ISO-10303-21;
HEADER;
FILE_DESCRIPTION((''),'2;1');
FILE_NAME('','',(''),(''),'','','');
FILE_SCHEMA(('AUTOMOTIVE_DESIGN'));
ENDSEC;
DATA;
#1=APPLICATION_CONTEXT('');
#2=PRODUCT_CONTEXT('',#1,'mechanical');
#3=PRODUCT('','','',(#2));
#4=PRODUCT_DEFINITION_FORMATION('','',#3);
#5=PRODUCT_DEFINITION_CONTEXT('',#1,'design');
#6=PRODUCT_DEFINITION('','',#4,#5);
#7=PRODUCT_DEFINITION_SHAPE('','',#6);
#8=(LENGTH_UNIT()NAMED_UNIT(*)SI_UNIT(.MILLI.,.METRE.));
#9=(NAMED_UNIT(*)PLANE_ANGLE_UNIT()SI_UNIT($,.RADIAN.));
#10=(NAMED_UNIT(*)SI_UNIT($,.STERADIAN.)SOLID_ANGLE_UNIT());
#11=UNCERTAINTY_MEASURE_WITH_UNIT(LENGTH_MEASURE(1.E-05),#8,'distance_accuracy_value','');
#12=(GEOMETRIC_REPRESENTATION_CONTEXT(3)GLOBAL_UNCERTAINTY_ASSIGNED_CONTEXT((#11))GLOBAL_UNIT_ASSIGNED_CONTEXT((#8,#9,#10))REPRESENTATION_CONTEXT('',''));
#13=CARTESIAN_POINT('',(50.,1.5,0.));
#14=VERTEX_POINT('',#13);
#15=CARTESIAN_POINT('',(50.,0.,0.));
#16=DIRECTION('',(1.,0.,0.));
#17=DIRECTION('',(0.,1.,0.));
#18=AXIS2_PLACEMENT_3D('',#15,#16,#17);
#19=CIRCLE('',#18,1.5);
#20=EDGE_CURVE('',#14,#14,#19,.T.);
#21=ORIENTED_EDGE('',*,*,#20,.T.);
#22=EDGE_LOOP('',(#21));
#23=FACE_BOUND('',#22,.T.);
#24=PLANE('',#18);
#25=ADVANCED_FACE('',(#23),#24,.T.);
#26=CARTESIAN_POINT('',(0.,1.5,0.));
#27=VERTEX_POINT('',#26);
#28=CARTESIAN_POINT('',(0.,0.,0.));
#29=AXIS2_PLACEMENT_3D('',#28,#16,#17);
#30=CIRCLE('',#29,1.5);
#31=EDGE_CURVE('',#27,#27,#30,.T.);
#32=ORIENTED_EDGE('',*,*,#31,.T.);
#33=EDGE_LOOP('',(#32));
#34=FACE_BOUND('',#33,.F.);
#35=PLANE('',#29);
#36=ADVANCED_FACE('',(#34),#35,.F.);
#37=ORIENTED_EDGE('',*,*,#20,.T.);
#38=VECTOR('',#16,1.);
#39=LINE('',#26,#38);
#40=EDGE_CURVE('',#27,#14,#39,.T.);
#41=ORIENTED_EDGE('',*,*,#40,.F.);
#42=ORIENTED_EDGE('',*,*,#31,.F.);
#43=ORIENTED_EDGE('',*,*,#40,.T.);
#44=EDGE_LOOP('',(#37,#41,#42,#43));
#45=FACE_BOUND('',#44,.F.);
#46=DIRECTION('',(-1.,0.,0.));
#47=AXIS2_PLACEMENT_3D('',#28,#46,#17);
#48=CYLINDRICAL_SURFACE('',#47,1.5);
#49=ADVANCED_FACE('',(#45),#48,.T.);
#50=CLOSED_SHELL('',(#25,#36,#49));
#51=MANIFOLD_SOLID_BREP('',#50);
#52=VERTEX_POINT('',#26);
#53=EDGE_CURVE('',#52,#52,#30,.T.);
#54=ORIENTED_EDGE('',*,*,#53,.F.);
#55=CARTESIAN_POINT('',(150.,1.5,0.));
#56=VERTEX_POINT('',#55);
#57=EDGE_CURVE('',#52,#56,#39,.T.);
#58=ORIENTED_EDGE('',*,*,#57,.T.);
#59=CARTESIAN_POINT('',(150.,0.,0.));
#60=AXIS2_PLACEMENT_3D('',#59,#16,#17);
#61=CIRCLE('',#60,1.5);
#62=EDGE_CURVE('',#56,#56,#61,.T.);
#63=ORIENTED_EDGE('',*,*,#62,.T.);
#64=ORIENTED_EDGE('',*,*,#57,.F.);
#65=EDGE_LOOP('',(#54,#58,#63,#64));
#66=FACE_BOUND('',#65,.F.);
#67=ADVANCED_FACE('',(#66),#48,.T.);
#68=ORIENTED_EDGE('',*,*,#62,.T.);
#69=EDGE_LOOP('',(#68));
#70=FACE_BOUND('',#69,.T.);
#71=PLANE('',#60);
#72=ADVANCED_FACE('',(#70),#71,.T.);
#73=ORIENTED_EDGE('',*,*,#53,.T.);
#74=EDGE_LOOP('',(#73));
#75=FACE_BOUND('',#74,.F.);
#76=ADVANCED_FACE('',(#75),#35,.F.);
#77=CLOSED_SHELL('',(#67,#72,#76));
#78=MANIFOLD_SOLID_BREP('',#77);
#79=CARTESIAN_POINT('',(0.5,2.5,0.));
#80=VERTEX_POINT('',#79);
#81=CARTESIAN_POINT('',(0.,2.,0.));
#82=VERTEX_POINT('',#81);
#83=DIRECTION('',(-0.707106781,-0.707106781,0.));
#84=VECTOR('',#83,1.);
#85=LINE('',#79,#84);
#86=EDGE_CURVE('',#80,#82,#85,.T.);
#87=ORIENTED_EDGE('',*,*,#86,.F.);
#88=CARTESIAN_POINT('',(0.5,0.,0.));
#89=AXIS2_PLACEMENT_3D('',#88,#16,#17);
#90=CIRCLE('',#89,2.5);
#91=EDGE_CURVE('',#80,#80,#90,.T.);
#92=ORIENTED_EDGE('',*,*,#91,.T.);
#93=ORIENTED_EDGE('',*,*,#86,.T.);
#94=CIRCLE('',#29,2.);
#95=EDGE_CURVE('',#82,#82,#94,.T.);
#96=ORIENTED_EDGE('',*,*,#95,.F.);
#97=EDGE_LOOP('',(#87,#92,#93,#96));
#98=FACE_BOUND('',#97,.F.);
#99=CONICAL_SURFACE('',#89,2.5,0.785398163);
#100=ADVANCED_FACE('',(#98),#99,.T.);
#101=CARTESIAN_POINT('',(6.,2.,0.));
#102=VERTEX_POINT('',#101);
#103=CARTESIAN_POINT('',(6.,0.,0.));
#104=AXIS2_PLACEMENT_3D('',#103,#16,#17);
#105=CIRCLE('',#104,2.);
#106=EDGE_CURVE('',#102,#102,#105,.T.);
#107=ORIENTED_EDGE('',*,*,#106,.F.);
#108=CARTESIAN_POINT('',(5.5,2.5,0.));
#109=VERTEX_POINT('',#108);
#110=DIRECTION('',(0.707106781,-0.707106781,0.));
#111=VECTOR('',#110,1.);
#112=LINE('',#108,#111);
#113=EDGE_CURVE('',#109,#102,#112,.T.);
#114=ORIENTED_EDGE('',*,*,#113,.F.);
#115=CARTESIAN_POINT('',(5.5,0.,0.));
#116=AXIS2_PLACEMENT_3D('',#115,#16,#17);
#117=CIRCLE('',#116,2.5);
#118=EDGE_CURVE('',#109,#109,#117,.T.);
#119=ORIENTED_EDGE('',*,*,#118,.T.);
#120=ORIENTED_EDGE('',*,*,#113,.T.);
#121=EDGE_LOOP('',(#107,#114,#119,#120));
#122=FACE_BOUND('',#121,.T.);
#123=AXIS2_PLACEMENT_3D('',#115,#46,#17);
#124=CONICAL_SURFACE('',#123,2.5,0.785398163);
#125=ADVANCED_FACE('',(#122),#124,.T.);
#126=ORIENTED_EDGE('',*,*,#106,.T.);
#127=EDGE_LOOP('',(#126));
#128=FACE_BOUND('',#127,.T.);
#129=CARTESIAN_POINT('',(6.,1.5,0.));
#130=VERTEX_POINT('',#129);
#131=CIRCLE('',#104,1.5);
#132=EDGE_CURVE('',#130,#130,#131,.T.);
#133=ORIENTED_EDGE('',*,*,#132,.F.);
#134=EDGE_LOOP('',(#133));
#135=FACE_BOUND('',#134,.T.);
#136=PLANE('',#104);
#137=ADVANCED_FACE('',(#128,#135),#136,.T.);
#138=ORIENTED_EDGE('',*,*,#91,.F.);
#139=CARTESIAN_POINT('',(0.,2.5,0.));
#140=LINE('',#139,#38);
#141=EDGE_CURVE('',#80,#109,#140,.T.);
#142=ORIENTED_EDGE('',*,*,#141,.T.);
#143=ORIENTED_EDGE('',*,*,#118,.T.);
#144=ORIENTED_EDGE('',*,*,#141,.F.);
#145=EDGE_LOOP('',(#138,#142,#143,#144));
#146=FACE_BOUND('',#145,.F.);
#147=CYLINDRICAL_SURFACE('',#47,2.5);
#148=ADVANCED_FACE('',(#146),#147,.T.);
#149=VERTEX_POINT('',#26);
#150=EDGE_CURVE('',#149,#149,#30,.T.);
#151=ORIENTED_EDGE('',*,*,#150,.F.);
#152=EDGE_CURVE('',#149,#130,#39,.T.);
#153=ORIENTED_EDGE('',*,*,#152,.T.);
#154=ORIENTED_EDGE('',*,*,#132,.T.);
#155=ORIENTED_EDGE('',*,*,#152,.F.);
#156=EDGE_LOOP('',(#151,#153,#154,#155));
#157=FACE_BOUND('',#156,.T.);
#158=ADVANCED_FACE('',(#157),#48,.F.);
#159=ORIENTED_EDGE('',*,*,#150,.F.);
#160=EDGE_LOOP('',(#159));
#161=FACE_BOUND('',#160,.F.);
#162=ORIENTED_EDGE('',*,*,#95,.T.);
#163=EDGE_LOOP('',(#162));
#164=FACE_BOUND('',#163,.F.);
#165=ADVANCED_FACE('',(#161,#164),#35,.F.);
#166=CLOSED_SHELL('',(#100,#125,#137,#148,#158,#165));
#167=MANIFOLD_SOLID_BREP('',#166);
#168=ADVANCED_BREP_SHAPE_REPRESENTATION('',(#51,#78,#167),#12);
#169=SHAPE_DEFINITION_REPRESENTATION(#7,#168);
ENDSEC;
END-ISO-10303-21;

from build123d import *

# Parameters (mm, degrees)
F0_R     = 1.5
F1_DEPTH = 150
F2_DEPTH = 50
F3_R     = 2.5
F3_R_2   = 1.5
F4_DEPTH = 6
F5_SIZE  = 0.5


with BuildPart() as f1:
    # F0 (on Right) → F1 (new body)
    with BuildSketch(Plane.YZ):
        Circle(F0_R)
    extrude(amount=F1_DEPTH)


with BuildPart() as f2:
    # F0 (on Right) → F2 (new body)
    with BuildSketch(Plane.YZ):
        Circle(F0_R)
    extrude(amount=F2_DEPTH)


with BuildPart() as f4:
    # F3 (on Right) → F4 (new body)
    with BuildSketch(Plane.YZ):
        Circle(F3_R)
        Circle(F3_R_2, mode=Mode.SUBTRACT)
    extrude(amount=F4_DEPTH)

    # F5
    f5_edges = [f4.edges().sort_by_distance(p)[0] for p in [
        (6, -2.5, 0),
        (0, -2.5, 0),
    ]]
    chamfer(f5_edges, length=F5_SIZE)


solid = Compound([f1.part, f2.part, f4.part])
